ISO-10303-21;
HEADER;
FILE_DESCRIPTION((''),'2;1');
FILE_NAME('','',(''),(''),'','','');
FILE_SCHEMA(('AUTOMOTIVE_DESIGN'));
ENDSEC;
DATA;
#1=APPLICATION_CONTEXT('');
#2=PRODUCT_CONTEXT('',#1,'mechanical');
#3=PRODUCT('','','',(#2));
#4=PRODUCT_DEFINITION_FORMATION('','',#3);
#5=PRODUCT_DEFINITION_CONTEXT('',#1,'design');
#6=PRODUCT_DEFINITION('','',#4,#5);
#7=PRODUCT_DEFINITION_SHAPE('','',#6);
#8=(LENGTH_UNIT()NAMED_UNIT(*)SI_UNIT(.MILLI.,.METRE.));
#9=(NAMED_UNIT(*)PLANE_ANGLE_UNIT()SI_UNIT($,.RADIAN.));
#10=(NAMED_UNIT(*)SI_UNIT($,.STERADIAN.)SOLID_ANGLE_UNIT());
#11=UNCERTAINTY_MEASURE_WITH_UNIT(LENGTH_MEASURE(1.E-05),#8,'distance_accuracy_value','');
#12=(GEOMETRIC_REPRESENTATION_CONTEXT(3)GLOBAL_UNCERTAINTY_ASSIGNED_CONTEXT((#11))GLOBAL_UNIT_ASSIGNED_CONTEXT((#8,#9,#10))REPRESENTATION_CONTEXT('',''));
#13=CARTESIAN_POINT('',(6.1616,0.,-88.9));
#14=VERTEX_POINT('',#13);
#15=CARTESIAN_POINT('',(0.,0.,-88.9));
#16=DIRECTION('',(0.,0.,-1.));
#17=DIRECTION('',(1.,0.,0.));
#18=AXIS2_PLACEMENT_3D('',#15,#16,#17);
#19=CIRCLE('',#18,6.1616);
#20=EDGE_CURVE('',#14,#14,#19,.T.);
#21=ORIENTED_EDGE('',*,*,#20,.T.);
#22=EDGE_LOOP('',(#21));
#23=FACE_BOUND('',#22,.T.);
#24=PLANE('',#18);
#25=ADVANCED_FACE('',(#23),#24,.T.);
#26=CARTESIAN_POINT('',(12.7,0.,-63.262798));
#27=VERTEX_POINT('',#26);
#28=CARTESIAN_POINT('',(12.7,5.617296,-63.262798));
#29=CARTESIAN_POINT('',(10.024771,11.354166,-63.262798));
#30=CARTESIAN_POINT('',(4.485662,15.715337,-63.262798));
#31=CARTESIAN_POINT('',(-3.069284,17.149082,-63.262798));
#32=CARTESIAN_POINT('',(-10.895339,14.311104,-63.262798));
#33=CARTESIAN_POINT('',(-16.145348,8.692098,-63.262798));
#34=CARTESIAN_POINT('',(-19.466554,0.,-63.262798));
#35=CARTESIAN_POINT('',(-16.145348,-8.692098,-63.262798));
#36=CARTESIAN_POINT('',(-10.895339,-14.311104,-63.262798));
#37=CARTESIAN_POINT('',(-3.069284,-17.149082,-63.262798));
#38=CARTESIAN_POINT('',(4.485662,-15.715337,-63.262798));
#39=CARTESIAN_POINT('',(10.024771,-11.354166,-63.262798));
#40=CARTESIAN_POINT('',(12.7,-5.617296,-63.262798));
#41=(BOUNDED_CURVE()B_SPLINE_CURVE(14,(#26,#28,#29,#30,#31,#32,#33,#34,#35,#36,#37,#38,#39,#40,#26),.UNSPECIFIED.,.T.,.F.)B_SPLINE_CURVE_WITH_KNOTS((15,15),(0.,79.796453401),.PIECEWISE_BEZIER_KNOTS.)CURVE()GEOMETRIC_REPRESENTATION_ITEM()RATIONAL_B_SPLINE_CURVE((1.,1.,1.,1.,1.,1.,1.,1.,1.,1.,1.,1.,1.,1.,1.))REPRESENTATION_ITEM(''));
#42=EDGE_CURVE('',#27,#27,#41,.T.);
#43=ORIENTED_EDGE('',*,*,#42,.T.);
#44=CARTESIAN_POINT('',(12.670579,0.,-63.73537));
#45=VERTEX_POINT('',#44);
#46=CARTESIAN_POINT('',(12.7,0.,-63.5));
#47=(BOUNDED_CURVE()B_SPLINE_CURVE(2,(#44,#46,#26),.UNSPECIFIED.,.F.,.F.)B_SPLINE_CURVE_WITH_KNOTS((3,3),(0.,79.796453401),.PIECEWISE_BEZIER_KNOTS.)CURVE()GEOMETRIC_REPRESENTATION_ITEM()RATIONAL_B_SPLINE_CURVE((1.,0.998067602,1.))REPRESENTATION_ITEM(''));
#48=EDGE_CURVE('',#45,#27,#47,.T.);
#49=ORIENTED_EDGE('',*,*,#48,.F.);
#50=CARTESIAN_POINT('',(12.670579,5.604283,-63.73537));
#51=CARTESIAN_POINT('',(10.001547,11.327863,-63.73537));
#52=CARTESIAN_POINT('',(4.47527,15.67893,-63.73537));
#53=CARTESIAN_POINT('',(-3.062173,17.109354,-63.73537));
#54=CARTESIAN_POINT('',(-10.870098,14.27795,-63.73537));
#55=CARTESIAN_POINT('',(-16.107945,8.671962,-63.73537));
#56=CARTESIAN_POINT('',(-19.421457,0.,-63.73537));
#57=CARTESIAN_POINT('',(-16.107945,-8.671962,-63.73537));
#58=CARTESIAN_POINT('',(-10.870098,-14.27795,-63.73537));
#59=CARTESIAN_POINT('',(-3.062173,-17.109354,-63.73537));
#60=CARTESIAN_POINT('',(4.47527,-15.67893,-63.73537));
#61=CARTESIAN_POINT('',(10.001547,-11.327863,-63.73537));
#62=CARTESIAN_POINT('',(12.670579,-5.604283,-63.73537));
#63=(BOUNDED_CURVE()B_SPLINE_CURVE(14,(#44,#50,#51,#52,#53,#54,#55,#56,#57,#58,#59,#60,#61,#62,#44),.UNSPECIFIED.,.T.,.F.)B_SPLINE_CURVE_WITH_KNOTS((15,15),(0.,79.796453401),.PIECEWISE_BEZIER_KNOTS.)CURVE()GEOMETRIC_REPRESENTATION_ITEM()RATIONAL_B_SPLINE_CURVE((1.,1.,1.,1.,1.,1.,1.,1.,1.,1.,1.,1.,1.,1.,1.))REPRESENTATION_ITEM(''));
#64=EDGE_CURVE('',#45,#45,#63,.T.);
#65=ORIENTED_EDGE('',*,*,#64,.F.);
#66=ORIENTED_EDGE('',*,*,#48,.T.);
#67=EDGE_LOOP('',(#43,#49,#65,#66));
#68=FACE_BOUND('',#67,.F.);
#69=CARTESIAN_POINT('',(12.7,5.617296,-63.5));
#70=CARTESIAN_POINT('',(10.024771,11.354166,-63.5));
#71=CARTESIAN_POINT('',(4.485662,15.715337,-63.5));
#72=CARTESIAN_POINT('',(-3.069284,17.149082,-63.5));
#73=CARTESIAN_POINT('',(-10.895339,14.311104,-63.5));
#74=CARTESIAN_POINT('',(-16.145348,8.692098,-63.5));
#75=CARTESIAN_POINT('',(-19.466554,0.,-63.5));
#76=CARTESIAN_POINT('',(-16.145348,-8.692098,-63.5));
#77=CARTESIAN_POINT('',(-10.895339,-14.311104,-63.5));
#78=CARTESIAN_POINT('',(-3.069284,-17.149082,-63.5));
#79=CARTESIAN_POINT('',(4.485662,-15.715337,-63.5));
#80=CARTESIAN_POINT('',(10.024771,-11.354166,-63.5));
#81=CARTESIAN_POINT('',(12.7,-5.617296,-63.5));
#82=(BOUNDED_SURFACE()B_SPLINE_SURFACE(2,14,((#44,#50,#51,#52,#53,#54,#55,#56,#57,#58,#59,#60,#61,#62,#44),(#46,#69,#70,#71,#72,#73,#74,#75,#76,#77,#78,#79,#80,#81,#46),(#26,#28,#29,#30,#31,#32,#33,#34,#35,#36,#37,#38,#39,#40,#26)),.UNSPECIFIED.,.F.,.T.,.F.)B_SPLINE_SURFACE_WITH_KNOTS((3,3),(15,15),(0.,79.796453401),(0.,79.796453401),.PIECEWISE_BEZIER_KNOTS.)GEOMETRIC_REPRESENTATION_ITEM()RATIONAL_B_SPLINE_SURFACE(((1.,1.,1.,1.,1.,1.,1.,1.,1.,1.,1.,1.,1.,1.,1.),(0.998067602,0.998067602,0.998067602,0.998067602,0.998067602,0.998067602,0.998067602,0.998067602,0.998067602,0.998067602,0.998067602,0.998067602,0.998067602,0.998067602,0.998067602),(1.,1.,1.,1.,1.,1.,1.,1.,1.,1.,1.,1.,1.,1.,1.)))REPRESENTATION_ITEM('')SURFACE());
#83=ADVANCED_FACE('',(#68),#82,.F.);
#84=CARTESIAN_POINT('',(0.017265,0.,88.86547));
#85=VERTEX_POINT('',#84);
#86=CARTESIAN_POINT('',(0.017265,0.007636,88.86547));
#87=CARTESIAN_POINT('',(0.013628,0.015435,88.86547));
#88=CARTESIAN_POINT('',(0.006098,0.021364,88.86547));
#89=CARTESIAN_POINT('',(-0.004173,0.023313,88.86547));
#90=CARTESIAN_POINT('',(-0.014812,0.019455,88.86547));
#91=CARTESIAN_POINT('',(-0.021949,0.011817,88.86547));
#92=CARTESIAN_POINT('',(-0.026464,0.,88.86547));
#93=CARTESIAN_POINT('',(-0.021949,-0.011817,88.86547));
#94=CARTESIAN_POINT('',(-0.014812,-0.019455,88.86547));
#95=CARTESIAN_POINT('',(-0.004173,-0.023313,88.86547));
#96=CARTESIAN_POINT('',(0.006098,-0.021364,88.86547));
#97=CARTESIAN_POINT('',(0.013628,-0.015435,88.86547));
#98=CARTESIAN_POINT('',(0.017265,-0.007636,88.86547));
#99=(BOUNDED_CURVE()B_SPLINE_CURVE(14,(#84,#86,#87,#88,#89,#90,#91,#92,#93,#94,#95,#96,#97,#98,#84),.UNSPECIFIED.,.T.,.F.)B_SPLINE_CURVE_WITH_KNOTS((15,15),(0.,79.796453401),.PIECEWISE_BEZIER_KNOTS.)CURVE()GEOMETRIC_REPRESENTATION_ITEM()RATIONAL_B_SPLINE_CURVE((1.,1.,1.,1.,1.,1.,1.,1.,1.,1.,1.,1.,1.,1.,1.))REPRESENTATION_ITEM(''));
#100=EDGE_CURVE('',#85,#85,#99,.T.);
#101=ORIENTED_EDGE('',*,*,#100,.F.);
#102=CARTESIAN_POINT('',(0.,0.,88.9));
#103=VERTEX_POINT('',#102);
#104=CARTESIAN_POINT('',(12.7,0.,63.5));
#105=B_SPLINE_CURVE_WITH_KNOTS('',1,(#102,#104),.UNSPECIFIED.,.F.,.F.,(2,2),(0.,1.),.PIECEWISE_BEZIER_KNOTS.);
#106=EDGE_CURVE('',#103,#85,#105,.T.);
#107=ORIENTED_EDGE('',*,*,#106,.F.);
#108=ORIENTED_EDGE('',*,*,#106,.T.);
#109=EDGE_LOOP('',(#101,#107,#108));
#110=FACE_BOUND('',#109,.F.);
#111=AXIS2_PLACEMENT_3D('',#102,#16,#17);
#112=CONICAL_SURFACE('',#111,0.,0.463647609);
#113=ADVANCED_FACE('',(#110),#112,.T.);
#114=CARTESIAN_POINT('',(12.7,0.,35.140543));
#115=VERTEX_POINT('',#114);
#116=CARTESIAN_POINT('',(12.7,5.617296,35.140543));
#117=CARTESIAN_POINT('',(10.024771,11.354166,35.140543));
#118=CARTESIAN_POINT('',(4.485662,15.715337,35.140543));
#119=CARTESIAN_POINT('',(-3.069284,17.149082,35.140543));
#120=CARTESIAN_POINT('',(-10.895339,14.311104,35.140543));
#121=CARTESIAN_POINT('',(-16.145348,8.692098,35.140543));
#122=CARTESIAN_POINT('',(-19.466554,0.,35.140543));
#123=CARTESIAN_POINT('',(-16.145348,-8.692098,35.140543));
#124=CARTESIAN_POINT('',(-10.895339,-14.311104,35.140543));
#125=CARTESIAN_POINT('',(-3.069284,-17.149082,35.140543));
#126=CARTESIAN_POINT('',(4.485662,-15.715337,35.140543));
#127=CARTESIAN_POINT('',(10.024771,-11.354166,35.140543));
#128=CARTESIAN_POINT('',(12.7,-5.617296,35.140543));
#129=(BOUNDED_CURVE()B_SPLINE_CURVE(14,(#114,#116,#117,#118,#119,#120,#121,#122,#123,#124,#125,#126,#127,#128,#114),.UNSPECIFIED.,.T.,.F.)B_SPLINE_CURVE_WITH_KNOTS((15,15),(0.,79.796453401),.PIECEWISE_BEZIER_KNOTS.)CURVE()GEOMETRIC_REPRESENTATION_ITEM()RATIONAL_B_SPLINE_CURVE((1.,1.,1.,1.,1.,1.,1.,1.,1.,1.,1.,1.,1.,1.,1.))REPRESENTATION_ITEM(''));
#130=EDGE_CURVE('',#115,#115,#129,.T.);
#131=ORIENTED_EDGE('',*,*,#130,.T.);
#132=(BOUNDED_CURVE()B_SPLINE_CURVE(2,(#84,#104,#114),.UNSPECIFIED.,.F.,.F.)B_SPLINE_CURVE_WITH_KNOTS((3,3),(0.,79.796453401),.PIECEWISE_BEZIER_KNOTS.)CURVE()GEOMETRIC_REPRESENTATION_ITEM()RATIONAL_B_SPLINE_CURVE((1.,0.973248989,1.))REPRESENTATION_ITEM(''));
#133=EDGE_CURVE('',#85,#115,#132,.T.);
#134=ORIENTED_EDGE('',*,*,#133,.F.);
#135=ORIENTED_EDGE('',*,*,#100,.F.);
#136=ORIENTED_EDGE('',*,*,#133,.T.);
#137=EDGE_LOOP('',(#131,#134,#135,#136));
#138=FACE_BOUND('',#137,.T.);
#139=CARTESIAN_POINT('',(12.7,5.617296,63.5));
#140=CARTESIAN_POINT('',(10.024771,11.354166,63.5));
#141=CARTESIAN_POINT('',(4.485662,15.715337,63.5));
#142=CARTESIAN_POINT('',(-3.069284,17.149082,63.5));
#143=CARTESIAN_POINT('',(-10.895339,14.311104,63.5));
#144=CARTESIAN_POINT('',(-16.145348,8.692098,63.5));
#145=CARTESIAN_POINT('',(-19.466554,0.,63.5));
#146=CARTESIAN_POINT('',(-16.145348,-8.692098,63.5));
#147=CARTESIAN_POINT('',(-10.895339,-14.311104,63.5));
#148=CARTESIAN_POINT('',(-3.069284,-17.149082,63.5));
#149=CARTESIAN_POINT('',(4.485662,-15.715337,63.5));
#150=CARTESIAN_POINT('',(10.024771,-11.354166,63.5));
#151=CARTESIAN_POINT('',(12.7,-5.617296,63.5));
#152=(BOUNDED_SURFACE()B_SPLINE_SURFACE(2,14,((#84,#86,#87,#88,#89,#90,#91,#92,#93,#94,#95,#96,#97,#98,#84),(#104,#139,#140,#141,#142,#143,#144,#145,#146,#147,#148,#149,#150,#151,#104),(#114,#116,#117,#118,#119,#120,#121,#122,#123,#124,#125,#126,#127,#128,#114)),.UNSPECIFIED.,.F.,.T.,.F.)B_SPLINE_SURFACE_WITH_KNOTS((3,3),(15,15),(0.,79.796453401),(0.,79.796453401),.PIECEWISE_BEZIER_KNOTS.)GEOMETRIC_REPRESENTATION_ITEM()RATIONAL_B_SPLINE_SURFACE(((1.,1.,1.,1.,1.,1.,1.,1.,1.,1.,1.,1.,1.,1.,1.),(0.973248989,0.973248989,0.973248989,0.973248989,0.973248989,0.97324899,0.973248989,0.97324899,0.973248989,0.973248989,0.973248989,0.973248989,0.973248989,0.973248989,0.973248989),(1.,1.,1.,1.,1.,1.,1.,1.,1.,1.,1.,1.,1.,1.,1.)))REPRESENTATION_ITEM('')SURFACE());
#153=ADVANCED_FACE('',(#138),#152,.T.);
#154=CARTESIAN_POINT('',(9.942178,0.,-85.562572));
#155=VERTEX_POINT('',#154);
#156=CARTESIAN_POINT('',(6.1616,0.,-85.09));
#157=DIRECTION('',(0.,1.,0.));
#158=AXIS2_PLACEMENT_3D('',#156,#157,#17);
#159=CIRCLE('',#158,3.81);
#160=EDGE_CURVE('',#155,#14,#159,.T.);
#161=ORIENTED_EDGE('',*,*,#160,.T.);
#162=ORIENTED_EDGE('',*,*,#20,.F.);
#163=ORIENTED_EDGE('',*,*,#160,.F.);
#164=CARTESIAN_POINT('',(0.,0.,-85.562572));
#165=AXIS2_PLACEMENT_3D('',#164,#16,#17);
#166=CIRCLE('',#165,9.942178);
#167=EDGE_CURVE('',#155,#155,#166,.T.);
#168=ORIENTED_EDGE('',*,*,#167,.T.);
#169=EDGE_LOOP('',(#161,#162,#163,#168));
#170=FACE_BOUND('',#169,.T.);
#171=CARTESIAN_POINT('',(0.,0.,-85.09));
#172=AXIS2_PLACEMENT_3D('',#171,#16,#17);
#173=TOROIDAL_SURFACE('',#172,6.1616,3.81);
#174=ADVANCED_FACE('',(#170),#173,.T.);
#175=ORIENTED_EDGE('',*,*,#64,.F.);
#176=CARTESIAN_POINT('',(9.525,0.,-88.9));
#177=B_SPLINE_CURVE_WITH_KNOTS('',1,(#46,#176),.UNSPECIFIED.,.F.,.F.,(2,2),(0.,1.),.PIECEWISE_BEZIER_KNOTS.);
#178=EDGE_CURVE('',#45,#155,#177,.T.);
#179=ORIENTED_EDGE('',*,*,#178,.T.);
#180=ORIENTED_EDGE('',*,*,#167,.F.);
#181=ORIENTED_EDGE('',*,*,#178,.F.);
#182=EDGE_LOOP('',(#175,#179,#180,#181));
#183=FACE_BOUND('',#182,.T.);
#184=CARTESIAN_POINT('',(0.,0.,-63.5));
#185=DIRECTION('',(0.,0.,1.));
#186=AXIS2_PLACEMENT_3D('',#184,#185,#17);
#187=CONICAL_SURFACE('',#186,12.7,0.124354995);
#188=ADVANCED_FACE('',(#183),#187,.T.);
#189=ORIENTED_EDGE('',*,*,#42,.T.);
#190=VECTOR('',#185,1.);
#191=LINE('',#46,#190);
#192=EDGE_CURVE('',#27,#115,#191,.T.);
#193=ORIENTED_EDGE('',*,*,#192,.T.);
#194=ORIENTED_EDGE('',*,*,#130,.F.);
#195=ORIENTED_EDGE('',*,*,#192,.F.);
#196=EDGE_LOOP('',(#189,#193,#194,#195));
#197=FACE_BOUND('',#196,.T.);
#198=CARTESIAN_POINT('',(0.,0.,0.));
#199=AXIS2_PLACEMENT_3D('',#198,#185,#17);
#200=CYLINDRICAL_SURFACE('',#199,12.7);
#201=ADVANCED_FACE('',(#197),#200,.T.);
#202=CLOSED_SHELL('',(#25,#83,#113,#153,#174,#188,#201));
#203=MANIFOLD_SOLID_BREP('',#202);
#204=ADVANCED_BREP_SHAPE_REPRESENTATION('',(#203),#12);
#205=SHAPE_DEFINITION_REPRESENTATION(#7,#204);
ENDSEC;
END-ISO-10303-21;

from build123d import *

# Parameters (mm, degrees)
F0_R       = 12.7
F1_DEPTH   = 63.5
F2_R       = 12.7
F6_R       = 120.1325893594
F1_FACE1_R = 12.7
F8_R       = 9.525
F10_R      = 3.81


with BuildPart() as f1:
    # F0 (on Top) → F1 (new body, symmetric)
    with BuildSketch(Plane.XY):
        Circle(F0_R)
    extrude(amount=F1_DEPTH, both=True)

    # F2 (on face) → F5 section 0
    with BuildSketch(Plane.XY.offset(63.5), mode=Mode.PRIVATE) as f5_s0:
        Circle(F2_R)
    loft([Vertex(0, 0, 88.9), f5_s0.sketch])

    # F6
    f6_edges = [f1.edges().sort_by_distance(p)[0] for p in [
        (6.35, 0, 76.2),
        (-12.7, 0, 63.5),
    ]]
    fillet(f6_edges, radius=F6_R)

    # F1_face1 (on face) → F9 section 0
    with BuildSketch(Plane(origin=(0, 0, -63.5), x_dir=(1, 0, 0), z_dir=(0, 0, -1))):
        Circle(F1_FACE1_R)
    # F8 (on offset) → F9 section 1
    with BuildSketch(Plane(origin=(0, 0, -88.9), x_dir=(1, 0, 0), z_dir=(0, 0, -1))):
        Circle(F8_R)
    loft()

    # F10
    f10_edges = [f1.edges().sort_by_distance(p)[0] for p in [
        (-12.7, 0, -63.5),
        (11.1125, 0, -76.2),
        (-9.525, 0, -88.9),
    ]]
    fillet(f10_edges, radius=F10_R)


solid = f1.part
